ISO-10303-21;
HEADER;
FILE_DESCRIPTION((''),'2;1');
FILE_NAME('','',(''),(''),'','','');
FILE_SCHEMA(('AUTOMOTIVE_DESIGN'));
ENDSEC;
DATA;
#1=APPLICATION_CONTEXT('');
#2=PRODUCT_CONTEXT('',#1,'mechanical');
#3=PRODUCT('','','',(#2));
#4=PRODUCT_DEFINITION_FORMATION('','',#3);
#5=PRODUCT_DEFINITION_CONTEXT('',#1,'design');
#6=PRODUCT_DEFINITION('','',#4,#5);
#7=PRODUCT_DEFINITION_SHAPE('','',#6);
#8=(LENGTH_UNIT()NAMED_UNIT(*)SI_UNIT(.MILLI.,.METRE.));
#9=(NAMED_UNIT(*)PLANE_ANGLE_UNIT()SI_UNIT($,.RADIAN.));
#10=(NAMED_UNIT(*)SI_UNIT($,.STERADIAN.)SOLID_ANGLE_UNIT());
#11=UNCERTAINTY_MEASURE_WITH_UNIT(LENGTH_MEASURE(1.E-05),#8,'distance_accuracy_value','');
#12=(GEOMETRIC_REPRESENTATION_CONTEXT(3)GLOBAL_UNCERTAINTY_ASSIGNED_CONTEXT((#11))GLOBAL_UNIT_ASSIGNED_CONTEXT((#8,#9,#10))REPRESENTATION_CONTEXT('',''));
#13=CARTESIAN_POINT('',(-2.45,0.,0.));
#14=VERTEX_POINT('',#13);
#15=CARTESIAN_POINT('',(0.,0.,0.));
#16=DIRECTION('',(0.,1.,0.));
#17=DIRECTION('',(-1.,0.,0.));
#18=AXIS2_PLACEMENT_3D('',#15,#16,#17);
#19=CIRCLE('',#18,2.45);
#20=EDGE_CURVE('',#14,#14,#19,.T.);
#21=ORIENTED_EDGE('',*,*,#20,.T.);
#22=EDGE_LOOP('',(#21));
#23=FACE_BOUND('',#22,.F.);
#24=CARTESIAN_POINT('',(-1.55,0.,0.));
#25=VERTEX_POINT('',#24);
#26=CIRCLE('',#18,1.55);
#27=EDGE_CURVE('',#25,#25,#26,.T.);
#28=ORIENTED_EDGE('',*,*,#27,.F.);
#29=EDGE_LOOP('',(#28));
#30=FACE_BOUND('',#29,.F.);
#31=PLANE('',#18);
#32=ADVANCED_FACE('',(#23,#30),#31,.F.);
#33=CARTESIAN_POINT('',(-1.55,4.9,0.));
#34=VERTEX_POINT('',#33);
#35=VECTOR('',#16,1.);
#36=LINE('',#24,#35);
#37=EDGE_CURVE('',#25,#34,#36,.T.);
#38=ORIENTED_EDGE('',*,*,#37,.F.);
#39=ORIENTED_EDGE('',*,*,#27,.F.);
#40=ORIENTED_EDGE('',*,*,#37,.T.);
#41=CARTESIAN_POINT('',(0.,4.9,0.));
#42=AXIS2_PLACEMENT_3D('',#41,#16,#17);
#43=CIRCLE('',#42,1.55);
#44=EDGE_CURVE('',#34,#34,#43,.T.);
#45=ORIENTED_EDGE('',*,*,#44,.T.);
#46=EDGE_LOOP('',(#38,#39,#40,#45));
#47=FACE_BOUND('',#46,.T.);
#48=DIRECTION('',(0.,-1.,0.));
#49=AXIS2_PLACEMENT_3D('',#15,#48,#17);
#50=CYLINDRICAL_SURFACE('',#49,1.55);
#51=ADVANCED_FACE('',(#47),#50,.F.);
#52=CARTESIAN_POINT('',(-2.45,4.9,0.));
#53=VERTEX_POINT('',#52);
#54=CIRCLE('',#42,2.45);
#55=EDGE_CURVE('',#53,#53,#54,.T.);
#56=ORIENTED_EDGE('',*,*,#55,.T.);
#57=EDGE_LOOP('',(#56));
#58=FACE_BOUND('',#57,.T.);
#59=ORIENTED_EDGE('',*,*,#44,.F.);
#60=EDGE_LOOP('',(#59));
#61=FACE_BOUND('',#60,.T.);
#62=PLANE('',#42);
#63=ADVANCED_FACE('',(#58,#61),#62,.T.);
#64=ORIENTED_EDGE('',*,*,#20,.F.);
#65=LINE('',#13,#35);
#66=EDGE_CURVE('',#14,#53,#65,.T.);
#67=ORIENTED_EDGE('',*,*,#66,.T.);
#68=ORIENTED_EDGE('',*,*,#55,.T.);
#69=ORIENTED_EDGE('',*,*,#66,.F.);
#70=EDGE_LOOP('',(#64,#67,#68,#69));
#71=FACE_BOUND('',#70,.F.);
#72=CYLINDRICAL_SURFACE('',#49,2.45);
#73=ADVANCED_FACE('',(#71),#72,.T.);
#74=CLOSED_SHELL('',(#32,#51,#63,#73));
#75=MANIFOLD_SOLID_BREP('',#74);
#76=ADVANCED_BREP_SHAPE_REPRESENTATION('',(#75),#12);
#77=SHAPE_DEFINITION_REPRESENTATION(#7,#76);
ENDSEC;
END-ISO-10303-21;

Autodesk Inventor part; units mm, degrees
ref_plane "YZ Plane" through (0, 0, 0) normal (1, 0, 0) x (0, 1, 0)
ref_plane "XZ Plane" through (0, 0, 0) normal (0, 1, 0) x (-1, 0, 0)
ref_plane "XY Plane" through (0, 0, 0) normal (0, 0, 1) x (1, 0, 0)
sketch "Sketch1" plane through (0, 0, 0) normal (0, 1, 0) x (-1, 0, 0)
  circle A0 centre (0, 0) radius 1.55
  circle A1 centre (0, 0) radius 2.45
  dimension "d0" = 3.1
  dimension "d1" = 4.9
extrude "Extrusion1" add sketch "Sketch1" along normal blind 4.9
properties part number "3x5x5bushing_3DPrint"
